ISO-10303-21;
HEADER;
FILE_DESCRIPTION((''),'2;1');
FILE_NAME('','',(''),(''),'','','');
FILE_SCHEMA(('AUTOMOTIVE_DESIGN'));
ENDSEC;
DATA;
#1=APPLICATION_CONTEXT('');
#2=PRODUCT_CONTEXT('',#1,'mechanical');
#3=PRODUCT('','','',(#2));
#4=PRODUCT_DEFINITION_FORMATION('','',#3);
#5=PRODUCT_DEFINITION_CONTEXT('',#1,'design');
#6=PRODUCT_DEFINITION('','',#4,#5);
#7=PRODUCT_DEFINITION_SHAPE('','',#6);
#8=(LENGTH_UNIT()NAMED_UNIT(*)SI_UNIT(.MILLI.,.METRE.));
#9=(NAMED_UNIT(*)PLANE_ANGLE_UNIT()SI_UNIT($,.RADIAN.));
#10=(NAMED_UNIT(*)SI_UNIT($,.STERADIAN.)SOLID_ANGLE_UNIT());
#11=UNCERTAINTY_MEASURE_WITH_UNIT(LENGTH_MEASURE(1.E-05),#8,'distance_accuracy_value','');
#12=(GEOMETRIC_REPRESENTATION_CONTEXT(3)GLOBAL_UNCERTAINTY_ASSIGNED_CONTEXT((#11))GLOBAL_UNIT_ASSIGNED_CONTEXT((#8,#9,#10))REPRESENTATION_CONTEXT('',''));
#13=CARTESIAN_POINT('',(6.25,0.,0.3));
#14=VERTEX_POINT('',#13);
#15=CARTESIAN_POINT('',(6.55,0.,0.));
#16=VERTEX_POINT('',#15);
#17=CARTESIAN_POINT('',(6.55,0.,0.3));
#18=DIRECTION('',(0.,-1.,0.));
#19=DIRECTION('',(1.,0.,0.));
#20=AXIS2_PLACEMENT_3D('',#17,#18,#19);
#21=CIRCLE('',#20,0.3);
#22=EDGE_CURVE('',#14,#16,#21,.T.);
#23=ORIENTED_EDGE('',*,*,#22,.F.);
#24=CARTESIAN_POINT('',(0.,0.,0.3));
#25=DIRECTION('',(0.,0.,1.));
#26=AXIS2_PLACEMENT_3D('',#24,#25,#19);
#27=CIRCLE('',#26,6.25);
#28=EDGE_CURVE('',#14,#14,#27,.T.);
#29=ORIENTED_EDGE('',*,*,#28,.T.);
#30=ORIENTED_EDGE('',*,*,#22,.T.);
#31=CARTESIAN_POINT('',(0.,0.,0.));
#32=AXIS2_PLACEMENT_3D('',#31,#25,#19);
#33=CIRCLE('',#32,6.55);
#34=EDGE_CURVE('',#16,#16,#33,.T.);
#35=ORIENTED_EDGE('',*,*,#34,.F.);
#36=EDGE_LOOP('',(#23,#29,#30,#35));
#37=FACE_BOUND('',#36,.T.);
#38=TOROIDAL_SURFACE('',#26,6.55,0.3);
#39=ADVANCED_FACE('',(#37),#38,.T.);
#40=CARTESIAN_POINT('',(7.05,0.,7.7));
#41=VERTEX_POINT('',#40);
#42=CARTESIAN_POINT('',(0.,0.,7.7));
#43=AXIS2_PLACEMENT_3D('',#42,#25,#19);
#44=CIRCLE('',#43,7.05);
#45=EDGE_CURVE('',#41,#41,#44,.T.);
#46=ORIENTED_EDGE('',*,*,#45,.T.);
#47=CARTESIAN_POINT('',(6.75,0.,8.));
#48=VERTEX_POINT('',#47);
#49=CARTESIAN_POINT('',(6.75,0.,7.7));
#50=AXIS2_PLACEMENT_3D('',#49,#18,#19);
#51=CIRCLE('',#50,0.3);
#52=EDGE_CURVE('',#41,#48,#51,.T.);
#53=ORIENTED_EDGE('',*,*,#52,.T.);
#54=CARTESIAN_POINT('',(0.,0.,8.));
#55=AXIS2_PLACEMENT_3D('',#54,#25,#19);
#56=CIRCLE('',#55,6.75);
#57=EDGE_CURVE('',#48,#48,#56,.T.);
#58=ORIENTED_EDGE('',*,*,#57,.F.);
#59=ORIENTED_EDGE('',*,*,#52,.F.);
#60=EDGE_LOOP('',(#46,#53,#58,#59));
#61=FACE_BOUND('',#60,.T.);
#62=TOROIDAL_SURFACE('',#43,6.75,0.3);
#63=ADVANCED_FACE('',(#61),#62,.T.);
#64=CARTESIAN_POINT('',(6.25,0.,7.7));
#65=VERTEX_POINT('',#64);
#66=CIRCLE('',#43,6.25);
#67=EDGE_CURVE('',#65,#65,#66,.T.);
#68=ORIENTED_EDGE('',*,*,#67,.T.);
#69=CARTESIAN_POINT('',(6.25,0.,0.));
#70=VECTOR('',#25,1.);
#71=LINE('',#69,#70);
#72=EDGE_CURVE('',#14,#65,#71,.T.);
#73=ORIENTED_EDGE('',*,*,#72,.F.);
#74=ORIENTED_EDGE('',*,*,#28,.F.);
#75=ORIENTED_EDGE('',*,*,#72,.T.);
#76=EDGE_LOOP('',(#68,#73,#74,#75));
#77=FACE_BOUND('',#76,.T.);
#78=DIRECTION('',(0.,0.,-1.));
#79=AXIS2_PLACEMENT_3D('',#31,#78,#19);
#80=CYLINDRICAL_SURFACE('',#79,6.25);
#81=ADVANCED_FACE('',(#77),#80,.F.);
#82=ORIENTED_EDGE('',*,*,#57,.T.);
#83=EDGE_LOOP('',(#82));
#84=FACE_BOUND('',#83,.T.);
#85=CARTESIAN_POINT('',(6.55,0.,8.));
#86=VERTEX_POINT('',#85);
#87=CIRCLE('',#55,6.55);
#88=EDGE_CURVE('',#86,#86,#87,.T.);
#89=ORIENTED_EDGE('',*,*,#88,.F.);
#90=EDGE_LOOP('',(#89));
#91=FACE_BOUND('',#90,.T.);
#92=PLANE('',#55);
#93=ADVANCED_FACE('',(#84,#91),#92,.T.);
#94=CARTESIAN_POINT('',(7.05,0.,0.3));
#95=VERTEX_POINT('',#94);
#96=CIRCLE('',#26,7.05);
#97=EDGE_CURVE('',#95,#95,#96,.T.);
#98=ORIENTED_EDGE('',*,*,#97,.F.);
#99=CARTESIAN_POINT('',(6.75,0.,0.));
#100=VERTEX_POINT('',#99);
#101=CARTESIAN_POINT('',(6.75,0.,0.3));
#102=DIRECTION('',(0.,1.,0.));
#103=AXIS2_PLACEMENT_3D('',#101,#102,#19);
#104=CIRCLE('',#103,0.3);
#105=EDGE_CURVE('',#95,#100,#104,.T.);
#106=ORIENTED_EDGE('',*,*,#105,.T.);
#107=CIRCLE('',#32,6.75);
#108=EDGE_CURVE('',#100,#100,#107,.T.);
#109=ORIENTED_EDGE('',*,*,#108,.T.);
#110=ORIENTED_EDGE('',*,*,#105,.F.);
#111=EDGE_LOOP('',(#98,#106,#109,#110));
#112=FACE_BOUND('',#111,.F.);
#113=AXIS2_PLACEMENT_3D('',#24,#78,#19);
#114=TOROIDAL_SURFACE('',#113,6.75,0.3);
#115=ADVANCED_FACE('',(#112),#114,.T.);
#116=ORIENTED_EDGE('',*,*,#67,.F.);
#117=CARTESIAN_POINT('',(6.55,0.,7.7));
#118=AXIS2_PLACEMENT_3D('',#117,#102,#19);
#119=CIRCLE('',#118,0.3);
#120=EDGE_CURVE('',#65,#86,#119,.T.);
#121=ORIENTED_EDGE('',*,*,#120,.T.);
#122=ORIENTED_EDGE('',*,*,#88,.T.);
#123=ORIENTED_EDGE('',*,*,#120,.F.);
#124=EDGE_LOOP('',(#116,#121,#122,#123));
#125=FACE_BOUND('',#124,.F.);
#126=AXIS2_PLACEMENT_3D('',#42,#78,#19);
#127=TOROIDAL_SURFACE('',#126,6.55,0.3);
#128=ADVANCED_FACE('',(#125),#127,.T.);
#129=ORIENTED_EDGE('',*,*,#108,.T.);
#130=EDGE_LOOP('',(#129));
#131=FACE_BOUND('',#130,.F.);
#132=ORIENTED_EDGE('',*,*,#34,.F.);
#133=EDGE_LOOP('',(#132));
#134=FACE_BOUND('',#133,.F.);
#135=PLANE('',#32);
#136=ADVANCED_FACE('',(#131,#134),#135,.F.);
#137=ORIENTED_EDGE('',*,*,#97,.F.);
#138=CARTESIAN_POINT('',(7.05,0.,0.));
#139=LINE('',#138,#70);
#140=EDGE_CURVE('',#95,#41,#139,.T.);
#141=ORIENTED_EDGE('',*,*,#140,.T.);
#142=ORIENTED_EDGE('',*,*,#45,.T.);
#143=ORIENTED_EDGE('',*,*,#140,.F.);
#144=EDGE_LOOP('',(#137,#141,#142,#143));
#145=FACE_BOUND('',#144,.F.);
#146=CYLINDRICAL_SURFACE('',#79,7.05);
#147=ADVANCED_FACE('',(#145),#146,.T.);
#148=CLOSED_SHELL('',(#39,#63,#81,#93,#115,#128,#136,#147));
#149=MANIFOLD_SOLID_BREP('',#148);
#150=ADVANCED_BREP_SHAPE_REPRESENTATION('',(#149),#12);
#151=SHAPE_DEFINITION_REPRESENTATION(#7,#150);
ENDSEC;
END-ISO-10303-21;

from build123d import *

# Parameters (mm, degrees)
F0_R     = 7.05
F0_R_2   = 6.25
F1_DEPTH = 8
F2_R     = 0.3


with BuildPart() as f1:
    # F0 (on Top) → F1 (new body)
    with BuildSketch(Plane.XY):
        Circle(F0_R)
        Circle(F0_R_2, mode=Mode.SUBTRACT)
    extrude(amount=F1_DEPTH)

    # F2
    f2_edges = [f1.edges().sort_by_distance(p)[0] for p in [
        (-7.05, 0, 8),
        (-7.05, 0, 0),
        (7.05, 0, 4),
        (-6.25, 0, 0),
        (-6.25, 0, 8),
    ]]
    fillet(f2_edges, radius=F2_R)


solid = f1.part
